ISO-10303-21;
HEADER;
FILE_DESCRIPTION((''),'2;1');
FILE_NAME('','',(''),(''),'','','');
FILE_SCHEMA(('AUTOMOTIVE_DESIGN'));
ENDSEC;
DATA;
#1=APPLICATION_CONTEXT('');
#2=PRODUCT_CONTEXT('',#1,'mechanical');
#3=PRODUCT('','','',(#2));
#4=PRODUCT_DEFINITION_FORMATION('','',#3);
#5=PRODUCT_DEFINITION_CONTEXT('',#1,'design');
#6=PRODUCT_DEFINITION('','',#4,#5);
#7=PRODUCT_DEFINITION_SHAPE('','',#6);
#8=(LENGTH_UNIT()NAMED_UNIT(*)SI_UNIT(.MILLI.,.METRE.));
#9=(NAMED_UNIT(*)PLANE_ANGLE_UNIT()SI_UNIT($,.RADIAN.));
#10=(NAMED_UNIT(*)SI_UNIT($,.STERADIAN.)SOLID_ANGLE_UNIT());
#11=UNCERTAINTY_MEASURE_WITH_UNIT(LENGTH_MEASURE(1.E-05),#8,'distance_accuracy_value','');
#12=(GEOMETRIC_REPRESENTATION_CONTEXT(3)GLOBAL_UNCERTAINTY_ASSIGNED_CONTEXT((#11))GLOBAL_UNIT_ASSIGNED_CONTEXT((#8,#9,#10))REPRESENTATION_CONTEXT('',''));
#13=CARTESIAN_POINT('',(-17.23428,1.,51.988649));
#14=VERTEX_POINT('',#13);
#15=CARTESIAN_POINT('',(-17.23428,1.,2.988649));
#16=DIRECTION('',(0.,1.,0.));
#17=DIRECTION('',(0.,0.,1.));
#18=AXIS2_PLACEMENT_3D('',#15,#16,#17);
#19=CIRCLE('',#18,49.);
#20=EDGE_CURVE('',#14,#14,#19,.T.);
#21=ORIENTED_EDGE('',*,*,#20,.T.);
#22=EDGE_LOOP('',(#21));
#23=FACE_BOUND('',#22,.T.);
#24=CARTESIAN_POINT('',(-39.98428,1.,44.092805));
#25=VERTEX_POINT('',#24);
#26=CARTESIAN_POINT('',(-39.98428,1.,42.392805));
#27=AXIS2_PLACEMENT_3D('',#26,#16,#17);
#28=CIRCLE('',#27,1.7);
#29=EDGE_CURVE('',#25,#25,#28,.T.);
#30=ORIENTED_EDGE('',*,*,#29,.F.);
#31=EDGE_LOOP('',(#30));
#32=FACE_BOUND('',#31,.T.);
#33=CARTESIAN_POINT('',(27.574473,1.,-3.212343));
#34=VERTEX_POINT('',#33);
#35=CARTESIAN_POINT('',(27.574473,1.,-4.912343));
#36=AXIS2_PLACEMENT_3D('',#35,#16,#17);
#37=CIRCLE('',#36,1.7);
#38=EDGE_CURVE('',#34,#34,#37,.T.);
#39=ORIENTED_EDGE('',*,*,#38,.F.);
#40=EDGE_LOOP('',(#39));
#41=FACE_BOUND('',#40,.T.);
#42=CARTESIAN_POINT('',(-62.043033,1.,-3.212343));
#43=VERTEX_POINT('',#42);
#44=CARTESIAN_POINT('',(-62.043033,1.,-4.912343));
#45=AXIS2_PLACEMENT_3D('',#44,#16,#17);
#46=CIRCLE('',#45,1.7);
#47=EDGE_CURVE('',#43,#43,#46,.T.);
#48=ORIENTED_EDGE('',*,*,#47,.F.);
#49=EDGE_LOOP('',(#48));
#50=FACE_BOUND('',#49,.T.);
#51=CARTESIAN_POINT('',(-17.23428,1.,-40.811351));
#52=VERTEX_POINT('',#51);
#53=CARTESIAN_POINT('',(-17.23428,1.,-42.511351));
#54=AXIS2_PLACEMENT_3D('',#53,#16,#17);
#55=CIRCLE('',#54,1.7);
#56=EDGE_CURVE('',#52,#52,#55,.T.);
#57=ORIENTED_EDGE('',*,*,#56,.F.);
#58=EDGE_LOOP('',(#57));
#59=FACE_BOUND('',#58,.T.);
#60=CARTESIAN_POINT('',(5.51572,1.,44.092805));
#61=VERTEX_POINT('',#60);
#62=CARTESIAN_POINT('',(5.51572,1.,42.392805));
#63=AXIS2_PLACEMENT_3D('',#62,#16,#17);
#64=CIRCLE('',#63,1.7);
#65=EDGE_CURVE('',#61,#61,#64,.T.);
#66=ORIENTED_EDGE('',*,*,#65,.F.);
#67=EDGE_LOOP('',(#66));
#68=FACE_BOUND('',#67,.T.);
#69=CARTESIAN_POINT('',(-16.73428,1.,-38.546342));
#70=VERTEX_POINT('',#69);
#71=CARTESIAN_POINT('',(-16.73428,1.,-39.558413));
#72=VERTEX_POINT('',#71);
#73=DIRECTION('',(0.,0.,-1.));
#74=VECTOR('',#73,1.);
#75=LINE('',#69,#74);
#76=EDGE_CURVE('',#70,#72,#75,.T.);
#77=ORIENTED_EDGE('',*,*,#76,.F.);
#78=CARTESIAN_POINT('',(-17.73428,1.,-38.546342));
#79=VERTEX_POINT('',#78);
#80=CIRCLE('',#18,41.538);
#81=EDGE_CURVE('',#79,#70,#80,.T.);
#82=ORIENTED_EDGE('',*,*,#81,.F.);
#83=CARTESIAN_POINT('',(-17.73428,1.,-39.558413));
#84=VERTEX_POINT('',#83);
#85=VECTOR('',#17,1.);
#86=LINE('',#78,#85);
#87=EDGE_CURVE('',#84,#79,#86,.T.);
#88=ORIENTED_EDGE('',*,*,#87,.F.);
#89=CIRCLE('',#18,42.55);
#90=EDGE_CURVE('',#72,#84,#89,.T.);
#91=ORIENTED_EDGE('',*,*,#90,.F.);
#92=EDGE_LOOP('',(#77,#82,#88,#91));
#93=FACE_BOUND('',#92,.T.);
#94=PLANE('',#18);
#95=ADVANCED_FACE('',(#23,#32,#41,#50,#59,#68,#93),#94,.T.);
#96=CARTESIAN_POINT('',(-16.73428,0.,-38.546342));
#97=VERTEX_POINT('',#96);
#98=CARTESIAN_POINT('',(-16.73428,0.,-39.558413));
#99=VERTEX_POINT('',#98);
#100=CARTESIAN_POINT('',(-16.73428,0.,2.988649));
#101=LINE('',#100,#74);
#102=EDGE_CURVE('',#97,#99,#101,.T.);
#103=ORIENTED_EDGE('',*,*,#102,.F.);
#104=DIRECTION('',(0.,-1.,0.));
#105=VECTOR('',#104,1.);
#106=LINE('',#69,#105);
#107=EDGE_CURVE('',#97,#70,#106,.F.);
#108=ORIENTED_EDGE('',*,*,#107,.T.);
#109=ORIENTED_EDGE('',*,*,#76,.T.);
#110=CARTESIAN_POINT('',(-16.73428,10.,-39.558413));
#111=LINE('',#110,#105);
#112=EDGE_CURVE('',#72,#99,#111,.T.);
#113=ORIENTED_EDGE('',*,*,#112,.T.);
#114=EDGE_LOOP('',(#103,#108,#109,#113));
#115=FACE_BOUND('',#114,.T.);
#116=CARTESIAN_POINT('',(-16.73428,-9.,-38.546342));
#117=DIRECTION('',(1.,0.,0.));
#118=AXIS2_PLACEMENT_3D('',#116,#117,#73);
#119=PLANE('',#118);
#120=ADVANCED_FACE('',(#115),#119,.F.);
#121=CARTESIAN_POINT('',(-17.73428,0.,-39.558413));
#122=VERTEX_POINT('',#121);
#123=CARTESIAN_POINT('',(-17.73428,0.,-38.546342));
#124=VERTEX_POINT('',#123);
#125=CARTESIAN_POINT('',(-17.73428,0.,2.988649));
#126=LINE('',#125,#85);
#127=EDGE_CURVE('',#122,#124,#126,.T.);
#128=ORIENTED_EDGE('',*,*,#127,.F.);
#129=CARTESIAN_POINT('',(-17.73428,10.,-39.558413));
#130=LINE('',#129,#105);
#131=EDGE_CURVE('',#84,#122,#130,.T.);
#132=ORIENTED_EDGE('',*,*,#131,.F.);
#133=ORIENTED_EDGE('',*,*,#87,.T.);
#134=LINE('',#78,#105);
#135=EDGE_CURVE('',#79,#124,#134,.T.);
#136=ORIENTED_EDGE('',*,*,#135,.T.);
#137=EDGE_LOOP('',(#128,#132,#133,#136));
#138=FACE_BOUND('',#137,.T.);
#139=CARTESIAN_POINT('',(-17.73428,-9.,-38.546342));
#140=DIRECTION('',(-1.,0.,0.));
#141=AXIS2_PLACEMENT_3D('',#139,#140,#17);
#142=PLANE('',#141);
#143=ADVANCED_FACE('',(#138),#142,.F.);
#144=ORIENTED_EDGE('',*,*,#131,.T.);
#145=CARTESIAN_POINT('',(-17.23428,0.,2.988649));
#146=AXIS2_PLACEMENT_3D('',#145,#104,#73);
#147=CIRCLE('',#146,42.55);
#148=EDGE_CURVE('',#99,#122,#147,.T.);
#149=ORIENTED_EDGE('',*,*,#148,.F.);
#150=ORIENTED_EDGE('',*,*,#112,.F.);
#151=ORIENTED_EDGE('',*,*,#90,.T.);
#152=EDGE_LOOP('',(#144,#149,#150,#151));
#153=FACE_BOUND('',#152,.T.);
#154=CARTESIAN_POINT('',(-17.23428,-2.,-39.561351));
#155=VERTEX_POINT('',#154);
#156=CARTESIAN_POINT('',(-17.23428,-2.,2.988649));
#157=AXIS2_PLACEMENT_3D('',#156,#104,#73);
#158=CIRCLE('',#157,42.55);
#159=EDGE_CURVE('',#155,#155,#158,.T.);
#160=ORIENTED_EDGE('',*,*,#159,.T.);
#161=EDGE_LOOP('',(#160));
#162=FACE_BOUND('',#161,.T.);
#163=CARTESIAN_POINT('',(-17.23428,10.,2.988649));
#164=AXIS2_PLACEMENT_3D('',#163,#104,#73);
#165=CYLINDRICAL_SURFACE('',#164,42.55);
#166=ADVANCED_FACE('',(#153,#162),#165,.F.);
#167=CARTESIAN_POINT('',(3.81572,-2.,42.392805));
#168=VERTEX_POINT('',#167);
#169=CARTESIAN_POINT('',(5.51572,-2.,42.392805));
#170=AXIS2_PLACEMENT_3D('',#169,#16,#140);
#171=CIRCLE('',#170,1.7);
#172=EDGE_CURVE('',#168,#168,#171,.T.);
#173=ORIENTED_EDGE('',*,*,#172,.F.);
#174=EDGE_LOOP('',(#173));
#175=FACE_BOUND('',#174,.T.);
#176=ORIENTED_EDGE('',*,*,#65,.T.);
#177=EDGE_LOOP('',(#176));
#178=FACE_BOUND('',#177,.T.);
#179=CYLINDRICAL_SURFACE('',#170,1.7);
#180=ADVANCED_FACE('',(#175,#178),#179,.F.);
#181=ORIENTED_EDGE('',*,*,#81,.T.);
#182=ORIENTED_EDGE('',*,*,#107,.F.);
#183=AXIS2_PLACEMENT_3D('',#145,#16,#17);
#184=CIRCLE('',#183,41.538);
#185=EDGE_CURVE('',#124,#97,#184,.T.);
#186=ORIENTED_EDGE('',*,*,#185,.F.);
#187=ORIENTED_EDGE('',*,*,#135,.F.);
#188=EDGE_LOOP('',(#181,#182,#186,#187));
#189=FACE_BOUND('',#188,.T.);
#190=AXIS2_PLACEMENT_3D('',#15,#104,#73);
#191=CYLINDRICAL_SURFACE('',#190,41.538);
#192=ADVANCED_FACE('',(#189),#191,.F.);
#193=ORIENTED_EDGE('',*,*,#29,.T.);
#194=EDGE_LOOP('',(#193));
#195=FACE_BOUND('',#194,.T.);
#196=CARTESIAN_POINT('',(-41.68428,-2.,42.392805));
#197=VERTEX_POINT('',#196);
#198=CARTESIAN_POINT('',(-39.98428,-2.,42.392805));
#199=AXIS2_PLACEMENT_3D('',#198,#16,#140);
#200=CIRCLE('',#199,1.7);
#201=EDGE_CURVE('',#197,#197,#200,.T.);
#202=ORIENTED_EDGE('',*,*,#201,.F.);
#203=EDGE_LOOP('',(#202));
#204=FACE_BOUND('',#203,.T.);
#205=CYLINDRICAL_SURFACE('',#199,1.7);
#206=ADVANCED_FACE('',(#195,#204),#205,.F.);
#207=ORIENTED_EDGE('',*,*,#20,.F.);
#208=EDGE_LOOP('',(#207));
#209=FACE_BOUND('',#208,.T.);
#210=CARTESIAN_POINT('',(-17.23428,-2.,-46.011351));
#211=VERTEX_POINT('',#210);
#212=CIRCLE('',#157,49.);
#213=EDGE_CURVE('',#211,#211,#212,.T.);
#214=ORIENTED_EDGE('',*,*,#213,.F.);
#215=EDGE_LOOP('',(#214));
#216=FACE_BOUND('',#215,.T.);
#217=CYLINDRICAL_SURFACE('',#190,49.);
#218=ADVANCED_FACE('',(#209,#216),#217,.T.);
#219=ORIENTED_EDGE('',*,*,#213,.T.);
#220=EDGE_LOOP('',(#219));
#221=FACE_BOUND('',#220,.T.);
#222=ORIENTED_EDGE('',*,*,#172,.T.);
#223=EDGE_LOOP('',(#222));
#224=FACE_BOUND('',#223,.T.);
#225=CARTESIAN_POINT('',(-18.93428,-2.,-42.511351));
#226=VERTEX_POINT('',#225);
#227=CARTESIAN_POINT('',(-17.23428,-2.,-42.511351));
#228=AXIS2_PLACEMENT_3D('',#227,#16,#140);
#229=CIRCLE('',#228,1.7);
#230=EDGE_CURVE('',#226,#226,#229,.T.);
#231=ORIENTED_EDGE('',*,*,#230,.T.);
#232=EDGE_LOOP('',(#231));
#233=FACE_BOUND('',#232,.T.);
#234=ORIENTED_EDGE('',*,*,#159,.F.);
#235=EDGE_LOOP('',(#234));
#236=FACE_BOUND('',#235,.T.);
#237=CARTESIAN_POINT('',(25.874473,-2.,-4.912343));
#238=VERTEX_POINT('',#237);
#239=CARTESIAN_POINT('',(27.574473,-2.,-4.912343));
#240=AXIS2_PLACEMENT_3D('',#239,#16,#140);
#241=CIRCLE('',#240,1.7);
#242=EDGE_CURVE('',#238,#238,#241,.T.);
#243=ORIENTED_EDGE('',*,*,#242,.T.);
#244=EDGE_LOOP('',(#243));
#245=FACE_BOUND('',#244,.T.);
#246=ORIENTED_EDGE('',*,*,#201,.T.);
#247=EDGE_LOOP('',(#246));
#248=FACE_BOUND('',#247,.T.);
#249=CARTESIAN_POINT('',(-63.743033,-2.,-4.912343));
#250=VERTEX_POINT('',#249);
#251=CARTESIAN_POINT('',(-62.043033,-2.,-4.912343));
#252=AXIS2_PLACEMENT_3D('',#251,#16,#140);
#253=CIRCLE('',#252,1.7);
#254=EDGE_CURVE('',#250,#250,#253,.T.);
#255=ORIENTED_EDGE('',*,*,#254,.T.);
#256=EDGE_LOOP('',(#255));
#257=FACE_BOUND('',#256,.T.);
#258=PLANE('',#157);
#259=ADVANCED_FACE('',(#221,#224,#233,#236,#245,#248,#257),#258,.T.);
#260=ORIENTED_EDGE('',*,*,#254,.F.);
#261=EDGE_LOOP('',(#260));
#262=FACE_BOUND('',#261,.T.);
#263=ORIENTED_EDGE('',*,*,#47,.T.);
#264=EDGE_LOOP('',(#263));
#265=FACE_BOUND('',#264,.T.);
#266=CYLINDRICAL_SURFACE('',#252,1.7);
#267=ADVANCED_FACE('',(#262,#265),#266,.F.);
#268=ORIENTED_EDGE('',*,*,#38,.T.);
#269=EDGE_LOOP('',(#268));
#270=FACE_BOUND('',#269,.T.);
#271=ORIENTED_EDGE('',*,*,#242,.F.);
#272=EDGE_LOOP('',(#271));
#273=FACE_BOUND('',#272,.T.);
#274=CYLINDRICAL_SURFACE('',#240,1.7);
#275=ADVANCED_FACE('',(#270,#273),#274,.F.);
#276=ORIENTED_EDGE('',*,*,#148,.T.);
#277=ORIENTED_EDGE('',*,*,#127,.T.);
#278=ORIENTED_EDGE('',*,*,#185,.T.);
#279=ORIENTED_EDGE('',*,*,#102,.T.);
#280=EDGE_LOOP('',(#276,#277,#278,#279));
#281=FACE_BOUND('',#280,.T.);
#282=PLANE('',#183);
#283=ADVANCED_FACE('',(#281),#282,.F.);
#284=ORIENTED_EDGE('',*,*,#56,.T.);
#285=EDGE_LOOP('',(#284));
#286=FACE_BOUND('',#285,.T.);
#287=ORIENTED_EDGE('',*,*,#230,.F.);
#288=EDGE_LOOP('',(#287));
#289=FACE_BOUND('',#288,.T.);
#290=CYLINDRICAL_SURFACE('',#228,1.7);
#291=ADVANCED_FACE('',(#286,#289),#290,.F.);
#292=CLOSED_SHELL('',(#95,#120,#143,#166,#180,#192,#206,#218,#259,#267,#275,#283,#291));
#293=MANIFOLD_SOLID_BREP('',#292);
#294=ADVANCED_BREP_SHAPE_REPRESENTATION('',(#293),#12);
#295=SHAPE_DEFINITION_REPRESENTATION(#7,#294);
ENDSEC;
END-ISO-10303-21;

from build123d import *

# Parameters (mm, degrees)
SKETCH1_R           = 49
SKETCH1_R_2         = 41.538
BOSS_EXTRUDE1_DEPTH = 1
CUT_EXTRUDE1_START  = -10
CUT_EXTRUDE1_DEPTH  = 10
CUT_EXTRUDE2_DEPTH  = 10
BOSS_EXTRUDE2_START = 2
SKETCH4_R           = 49
SKETCH4_R_2         = 42.55
BOSS_EXTRUDE2_DEPTH = 2
SKETCH5_R           = 1.7
CUT_EXTRUDE3_DEPTH  = 95.04770922


with BuildPart() as part:
    # Sketch1 → Boss-Extrude1 (new body)
    with BuildSketch(Plane(origin=(0, 0, 0), x_dir=(1, 0, 0), z_dir=(0, 1, 0))):
        with Locations(Location((-17.234280104, -2.988648948, 0), (0, 0, 270))):
            Circle(SKETCH1_R)
        with Locations(Location((-17.234280104, -2.988648948, 0), (0, 0, 270))):
            Circle(SKETCH1_R_2, mode=Mode.SUBTRACT)
    extrude(amount=BOSS_EXTRUDE1_DEPTH)

    # Sketch2 → Cut-Extrude1 (cut)
    with BuildSketch(Plane(origin=(0, 1, 0), x_dir=(1, 0, 0), z_dir=(0, 1, 0)).offset(CUT_EXTRUDE1_START)):
        with BuildLine():
            Line((-16.734280104, 38.54634165), (-16.734280104, 39.546412401))
            ThreePointArc((-16.734280104, 39.546412401), (-17.234280104, 39.549351052), (-17.734280104, 39.546412401))
            Line((-17.734280104, 39.546412401), (-17.734280104, 38.54634165))
            ThreePointArc((-17.734280104, 38.54634165), (-17.234280104, 38.549351052), (-16.734280104, 38.54634165))
        make_face()
    extrude(amount=CUT_EXTRUDE1_DEPTH, mode=Mode.SUBTRACT)

    # Sketch3 → Cut-Extrude2 (cut)
    with BuildSketch(Plane.XZ):
        with BuildLine():
            Line((-17.734280104, -38.54634165), (-17.734280104, -39.55841323))
            ThreePointArc((-17.734280104, -39.55841323), (-17.234280104, -39.561351052), (-16.734280104, -39.55841323))
            Line((-16.734280104, -39.55841323), (-16.734280104, -38.54634165))
            ThreePointArc((-16.734280104, -38.54634165), (-17.234280104, -38.549351052), (-17.734280104, -38.54634165))
        make_face()
    extrude(amount=-CUT_EXTRUDE2_DEPTH, mode=Mode.SUBTRACT)

    # Sketch4 → Boss-Extrude2 (add)
    with BuildSketch(Plane.XZ.offset(BOSS_EXTRUDE2_START)):
        with Locations(Location((-17.234280104, 2.988648948, 0), (0, 0, 270))):
            Circle(SKETCH4_R)
        with Locations(Location((-17.234280104, 2.988648948, 0), (0, 0, 270))):
            Circle(SKETCH4_R_2, mode=Mode.SUBTRACT)
    extrude(amount=-BOSS_EXTRUDE2_DEPTH)

    # Sketch5 → Cut-Extrude3 (cut, through all)
    with BuildSketch(Plane(origin=(12.15729015, 4, 5.600017102), x_dir=(1, 0, 0), z_dir=(0, 1, 0))):
        with Locations(Location((-29.391570254, 48.111368154, 0), (0, 0, 180))):
            Circle(SKETCH5_R)
        with Locations(Location((-74.200323016, 10.512360238, 0), (0, 0, 180))):
            Circle(SKETCH5_R)
        with Locations(Location((-52.141570254, -36.792787718, 0), (0, 0, 180))):
            Circle(SKETCH5_R)
        with Locations(Location((-6.641570254, -36.792787718, 0), (0, 0, 180))):
            Circle(SKETCH5_R)
        with Locations(Location((15.417182508, 10.512360238, 0), (0, 0, 180))):
            Circle(SKETCH5_R)
    extrude(amount=-CUT_EXTRUDE3_DEPTH, mode=Mode.SUBTRACT)


solid = part.part
